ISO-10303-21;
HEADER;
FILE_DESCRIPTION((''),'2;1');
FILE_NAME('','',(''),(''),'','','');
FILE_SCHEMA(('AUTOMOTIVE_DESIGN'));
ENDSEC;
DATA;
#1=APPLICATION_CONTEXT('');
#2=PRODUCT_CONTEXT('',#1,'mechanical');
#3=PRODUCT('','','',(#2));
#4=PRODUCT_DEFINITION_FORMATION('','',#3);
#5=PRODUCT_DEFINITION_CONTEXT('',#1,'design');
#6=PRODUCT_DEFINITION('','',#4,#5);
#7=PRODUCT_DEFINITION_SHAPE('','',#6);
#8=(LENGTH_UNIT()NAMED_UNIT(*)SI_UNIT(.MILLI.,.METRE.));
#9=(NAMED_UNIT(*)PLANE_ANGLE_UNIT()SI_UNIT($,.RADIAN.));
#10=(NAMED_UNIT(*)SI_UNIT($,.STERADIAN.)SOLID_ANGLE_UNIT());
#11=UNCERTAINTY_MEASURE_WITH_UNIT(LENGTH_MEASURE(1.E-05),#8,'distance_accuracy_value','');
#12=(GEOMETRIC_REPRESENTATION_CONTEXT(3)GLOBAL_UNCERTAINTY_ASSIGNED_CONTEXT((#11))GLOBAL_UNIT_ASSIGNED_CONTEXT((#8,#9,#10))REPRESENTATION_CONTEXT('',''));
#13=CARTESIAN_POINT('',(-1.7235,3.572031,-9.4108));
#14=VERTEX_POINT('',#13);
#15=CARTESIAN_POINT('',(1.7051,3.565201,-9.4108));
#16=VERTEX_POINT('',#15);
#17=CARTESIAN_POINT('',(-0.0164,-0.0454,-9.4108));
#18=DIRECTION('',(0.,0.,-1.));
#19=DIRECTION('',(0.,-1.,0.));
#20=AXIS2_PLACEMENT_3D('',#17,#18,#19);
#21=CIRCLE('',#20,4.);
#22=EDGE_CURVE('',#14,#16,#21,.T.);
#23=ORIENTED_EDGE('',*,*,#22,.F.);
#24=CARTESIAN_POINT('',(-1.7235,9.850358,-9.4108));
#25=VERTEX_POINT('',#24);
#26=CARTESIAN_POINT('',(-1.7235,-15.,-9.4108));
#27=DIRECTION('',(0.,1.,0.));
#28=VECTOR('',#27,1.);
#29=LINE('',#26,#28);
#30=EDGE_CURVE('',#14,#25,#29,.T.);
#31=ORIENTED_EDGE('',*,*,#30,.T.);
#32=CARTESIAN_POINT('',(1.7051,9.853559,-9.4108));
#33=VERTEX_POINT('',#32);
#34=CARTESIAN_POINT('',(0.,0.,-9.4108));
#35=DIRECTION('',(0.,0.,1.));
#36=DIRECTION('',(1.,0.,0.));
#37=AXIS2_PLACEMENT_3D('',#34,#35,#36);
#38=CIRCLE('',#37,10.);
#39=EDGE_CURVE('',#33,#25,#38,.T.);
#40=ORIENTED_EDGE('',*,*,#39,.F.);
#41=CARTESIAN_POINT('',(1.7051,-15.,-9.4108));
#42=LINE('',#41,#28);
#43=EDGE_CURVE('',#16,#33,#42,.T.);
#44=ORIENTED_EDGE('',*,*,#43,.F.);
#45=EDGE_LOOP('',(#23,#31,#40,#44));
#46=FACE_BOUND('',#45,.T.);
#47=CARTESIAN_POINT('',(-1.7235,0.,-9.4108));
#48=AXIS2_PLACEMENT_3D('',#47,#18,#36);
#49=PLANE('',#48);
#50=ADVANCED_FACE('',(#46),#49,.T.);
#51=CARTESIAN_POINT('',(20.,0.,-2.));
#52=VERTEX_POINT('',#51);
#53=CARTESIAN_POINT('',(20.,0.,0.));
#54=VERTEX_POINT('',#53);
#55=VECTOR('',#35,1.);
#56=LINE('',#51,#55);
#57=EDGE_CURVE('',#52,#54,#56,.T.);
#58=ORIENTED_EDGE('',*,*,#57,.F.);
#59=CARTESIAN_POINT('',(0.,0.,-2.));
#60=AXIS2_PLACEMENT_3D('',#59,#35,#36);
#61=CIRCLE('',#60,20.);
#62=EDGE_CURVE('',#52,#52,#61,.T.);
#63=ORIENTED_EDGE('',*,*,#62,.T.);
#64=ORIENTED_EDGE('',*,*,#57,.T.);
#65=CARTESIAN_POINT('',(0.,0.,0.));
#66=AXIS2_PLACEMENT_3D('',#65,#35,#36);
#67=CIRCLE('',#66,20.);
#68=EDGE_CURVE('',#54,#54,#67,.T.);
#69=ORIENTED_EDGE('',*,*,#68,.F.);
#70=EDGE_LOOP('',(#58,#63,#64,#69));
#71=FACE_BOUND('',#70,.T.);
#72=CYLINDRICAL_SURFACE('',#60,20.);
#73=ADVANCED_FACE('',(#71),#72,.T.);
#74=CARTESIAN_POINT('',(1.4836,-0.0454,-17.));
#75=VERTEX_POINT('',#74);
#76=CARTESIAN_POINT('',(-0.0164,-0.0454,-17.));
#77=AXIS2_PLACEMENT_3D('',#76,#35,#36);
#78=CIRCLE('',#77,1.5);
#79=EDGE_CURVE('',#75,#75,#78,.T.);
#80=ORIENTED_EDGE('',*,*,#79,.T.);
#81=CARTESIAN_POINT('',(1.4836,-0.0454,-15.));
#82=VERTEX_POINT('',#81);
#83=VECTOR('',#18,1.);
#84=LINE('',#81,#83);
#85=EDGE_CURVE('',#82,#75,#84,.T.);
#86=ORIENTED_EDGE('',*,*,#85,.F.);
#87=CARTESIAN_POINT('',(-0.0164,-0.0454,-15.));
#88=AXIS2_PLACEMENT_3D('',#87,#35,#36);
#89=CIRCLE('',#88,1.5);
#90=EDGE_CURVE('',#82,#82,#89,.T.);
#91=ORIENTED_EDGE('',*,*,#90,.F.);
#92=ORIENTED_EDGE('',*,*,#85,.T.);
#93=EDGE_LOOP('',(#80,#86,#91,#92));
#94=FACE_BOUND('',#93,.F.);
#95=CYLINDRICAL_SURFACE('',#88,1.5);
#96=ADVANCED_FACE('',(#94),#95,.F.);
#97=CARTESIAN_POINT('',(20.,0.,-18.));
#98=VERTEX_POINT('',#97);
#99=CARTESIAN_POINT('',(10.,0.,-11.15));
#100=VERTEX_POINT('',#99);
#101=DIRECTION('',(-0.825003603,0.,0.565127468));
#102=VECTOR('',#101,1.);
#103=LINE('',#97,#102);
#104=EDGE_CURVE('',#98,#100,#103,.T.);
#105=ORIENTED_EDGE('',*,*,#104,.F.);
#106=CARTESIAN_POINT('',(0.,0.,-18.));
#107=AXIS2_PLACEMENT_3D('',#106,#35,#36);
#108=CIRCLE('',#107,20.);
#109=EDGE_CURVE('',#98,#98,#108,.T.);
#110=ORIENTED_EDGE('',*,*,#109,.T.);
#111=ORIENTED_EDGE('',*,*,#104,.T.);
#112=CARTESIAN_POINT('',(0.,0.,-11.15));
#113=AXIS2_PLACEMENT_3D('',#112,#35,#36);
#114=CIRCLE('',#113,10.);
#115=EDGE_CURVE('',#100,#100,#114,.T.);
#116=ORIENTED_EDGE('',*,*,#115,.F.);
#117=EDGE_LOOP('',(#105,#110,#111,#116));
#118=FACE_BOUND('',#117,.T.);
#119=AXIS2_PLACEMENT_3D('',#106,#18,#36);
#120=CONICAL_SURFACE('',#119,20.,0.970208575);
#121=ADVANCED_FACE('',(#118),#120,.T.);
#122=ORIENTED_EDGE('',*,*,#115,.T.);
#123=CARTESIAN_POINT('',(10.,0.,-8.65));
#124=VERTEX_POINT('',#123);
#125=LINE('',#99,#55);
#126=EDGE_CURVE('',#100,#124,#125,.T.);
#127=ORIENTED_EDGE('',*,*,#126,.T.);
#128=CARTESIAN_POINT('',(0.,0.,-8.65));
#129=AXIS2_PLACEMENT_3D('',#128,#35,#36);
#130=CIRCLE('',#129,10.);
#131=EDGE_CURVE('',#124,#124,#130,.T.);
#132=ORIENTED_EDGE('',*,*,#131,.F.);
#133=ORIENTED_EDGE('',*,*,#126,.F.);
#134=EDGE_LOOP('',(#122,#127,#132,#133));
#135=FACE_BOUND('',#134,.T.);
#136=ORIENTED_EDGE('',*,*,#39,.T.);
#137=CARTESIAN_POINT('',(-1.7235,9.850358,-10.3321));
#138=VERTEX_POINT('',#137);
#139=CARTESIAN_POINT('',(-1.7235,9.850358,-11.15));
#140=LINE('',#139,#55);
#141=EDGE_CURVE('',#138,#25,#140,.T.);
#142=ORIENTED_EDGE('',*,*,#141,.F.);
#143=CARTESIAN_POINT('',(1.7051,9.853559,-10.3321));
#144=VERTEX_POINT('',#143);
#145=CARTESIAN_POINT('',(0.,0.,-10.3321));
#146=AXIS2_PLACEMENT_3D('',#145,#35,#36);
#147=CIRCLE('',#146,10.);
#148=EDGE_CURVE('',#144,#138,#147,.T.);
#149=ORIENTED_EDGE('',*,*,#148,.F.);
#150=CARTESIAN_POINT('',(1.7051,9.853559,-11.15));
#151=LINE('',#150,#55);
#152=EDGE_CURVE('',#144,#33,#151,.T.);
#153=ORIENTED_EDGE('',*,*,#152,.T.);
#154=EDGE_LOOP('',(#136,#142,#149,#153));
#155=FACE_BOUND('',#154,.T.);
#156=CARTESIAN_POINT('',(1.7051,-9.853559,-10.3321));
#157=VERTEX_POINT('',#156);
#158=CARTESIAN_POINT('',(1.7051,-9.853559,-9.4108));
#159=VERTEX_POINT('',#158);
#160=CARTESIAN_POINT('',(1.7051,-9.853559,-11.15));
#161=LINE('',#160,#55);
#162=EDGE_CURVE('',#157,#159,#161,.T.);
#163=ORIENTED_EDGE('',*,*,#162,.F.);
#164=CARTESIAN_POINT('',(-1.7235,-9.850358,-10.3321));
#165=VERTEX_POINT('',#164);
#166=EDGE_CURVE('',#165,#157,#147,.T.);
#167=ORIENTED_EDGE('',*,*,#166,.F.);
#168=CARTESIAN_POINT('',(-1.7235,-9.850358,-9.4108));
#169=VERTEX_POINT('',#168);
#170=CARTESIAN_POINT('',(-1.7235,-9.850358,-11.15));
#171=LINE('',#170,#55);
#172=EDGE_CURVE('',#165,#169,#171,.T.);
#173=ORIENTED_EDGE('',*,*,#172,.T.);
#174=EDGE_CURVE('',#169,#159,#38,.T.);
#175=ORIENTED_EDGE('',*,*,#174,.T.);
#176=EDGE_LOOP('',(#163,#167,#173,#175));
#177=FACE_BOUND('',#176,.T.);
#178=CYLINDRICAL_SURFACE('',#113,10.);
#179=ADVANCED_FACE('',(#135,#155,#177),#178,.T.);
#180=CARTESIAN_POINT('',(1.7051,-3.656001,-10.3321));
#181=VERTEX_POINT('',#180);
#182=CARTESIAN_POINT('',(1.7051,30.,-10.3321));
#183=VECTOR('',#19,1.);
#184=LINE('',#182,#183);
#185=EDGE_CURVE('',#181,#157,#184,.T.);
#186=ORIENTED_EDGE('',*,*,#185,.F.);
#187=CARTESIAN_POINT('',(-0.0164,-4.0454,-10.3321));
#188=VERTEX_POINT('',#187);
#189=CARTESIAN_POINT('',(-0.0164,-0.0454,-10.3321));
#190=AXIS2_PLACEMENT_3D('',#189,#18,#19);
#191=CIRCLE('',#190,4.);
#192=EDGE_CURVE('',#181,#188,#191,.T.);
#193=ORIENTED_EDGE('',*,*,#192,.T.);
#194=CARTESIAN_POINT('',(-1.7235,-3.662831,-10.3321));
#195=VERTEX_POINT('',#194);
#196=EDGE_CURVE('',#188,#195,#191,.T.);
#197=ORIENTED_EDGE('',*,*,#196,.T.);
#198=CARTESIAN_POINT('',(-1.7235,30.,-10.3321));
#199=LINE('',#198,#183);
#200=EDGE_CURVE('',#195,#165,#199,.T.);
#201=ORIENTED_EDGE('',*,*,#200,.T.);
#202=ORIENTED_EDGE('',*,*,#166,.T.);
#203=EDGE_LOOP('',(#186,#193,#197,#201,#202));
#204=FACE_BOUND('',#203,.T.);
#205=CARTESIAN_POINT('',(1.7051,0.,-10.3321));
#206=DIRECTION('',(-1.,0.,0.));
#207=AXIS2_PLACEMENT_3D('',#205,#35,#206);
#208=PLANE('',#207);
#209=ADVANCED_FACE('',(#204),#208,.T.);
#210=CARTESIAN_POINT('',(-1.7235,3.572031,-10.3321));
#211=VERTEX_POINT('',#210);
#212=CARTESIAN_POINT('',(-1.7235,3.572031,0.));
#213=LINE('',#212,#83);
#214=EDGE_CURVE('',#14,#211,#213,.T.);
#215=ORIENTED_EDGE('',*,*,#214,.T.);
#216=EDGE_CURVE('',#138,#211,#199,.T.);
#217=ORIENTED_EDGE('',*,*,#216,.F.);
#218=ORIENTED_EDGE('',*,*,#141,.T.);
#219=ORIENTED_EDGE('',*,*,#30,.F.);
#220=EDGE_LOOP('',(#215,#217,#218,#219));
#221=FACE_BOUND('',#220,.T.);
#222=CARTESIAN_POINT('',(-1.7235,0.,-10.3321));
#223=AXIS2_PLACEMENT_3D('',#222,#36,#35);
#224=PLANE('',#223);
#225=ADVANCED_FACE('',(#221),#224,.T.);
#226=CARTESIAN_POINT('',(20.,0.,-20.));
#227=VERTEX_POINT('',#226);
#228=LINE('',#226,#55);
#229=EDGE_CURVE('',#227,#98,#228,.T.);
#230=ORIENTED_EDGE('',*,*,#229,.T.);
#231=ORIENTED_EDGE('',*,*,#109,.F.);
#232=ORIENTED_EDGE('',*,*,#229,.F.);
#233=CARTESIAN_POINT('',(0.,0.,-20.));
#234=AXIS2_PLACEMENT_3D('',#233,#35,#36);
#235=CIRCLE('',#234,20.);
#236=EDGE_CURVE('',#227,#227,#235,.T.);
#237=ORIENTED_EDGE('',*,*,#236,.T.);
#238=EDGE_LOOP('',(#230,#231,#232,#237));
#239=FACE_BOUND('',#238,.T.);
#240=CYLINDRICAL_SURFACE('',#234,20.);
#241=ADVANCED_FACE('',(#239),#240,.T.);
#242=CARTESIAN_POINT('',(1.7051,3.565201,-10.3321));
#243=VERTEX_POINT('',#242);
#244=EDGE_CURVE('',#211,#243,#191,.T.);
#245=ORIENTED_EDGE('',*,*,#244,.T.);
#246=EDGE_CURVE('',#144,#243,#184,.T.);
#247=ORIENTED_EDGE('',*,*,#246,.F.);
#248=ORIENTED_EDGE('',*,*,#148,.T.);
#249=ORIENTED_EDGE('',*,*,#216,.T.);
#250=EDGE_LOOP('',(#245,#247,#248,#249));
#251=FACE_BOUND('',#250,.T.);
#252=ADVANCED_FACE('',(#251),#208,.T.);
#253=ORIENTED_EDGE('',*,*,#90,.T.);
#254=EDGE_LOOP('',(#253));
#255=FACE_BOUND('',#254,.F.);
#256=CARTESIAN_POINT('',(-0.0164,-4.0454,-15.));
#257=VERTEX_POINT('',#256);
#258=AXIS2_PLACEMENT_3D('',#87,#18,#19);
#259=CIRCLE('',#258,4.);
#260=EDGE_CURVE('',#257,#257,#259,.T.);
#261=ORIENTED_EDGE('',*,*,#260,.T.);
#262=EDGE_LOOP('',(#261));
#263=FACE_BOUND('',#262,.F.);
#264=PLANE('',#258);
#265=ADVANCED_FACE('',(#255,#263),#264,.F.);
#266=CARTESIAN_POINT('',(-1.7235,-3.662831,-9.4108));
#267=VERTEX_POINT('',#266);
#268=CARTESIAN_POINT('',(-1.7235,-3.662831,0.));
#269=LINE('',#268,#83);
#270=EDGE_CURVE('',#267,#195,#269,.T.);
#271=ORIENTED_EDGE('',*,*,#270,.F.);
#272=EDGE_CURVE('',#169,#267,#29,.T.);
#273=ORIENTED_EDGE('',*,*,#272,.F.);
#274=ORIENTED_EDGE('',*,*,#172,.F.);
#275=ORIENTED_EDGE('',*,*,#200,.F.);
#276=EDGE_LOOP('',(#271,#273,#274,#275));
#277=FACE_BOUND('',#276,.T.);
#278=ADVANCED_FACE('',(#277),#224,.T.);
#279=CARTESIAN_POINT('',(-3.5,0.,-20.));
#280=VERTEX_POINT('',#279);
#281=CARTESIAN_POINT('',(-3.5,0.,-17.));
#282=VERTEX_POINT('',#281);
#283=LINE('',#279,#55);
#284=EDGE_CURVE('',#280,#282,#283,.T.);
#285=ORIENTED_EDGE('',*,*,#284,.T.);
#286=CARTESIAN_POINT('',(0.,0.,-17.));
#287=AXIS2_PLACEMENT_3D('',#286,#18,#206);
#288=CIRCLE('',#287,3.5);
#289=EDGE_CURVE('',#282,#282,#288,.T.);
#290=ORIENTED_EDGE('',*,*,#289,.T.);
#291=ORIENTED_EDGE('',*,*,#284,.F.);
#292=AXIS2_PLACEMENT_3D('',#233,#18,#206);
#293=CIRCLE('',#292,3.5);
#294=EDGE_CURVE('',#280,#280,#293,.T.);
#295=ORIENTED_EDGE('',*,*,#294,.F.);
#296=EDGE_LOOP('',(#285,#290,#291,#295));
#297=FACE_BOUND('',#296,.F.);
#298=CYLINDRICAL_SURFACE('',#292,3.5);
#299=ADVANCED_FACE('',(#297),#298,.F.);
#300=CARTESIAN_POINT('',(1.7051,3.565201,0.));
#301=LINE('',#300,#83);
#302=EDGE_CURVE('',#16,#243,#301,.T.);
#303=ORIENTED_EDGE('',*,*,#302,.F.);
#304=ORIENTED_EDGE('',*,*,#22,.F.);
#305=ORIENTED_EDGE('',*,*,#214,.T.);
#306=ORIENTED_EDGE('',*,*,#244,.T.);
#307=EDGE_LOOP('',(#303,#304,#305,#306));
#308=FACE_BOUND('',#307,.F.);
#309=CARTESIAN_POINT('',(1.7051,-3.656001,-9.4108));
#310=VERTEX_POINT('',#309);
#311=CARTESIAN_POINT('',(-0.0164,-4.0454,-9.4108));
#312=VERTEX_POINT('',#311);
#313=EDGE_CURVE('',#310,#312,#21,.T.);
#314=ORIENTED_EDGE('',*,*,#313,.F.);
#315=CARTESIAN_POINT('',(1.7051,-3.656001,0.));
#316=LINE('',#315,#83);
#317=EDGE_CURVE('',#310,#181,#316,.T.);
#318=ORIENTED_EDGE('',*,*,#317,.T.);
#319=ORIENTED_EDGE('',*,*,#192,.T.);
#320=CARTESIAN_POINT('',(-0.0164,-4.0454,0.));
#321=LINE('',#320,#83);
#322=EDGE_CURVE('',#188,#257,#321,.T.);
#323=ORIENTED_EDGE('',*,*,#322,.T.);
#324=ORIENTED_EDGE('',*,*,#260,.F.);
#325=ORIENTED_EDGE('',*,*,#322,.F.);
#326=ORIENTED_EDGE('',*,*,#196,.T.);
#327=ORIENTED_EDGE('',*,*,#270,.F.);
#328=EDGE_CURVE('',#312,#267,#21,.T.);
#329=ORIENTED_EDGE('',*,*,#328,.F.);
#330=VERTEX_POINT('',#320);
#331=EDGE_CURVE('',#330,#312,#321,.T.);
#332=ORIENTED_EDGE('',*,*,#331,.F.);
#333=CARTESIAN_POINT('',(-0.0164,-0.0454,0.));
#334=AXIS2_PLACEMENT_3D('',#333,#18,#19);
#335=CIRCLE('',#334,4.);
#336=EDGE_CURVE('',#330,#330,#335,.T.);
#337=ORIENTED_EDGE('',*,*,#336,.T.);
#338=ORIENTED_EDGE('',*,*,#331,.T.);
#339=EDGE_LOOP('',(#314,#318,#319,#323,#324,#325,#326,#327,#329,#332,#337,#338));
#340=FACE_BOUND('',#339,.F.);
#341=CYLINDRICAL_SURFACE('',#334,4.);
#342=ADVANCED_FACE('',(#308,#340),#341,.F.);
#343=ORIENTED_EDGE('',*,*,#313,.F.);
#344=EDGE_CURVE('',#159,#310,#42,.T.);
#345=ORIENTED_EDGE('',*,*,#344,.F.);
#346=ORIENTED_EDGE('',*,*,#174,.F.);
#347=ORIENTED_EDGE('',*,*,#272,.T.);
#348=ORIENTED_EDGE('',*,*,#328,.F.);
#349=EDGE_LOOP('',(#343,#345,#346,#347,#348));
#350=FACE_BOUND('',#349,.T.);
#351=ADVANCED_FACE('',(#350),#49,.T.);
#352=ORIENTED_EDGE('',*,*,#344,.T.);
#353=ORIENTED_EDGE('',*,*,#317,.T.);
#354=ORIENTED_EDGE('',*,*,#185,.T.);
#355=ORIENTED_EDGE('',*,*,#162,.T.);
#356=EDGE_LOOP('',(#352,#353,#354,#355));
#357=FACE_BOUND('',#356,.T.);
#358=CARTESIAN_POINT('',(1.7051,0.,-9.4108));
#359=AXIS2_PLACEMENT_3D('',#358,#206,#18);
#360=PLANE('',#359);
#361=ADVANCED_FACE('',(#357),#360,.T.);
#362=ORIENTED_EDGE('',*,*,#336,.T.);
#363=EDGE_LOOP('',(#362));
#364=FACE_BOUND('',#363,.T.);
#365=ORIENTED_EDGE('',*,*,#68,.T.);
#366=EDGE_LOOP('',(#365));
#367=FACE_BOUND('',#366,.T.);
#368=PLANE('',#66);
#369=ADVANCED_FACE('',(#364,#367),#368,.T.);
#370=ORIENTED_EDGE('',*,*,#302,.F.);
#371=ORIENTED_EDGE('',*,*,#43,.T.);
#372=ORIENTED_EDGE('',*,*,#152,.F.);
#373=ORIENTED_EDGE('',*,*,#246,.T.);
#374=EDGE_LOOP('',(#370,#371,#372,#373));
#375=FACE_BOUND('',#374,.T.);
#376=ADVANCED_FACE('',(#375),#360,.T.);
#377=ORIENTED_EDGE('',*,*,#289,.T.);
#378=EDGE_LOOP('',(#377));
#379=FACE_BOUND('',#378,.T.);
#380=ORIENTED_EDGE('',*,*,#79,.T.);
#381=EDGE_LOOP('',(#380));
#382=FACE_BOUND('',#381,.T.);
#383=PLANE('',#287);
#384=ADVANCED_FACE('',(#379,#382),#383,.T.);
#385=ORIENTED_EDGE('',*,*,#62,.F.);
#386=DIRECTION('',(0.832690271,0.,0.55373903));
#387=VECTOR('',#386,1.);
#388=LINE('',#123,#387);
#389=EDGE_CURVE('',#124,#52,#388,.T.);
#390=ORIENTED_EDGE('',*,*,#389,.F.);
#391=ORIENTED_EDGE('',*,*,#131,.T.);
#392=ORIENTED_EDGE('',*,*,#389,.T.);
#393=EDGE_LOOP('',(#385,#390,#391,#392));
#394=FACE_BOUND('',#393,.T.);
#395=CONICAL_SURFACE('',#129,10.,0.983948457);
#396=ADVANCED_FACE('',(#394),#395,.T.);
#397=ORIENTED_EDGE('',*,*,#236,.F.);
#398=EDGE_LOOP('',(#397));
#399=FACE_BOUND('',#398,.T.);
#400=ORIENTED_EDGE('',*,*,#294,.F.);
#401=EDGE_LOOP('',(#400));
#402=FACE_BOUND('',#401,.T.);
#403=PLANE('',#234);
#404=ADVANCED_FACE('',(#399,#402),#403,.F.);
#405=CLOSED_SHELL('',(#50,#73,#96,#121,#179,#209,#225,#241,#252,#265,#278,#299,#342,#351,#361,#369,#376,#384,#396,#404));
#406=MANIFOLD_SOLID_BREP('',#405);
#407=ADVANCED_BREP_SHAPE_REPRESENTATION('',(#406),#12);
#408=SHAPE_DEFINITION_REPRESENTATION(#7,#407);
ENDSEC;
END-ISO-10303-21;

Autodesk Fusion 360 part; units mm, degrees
sketch "Sketch1" plane through (0, 0, 0) normal (0, 1, 0) x (1, 0, 0)
  line L0 (0, 20) -> (20, 20)
  line L1 (20, 0) -> (0, 0)
  line L2 (0, 20) -> (0, 0)
  line L3 (10, 11.15) -> (10, 8.65)
  line L4 (20, 20) -> (20, 18)
  line L5 (20, 18) -> (10, 11.15)
  line L6 (10, 8.65) -> (20, 2)
  line L7 (20, 2) -> (20, 0)
  dimension "d3" = 20
  dimension "d4" = 20
  dimension "d5" = 10
  dimension "d7" = 2
  dimension "d9" = 2.5
  dimension "d18" = 8.85
revolve "Revolve1" add sketch "Sketch1" angle 360 about axis through (0, 0, 1.75) along (0, 0, 1)
hole "Hole1" at (-0.0164, -0.0454, 0) direction (0, 0, -1) diameter 8 depth 15 tip angle 180
sketch "Sketch2" plane through (0, 0, 0) normal (0, 0, 1) x (1, 0, 0)
sketch "Sketch3" plane through (0, 0, -15) normal (0, 0, 1) x (1, 0, 0)
  circle A0 centre (-0.0164, -0.0454) radius 4
  circle A1 centre (-0.0164, -0.0454) radius 1.5
  dimension "d15" = 3
extrude "Extrude1" cut sketch "Sketch3" against normal blind 17 contours A1
sketch "Sketch4" plane through (0, 0, -20) normal (0, 0, -1) x (-1, 0, 0)
  circle A0 centre (0, 0) radius 20
  circle A1 centre (0, 0) radius 3.5
  circle A2 centre (0.0164, -0.0454) radius 1.5
  dimension "d19" = 7
extrude "Extrude2" cut sketch "Sketch4" against normal blind 3 contours A1 | A2
sketch "Sketch5" plane through (0, 0, 0) normal (0, 1, 0) x (1, 0, 0)
  line L0 (-1.7235, 9.4108) -> (1.7051, 9.4108)
  line L1 (1.7051, 9.4108) -> (1.7051, 10.3321)
  line L2 (1.7051, 10.3321) -> (-1.7235, 10.3321)
  line L3 (-1.7235, 10.3321) -> (-1.7235, 9.4108)
extrude "Extrude3" cut sketch "Sketch5" along normal blind 30 and the other way blind 15
